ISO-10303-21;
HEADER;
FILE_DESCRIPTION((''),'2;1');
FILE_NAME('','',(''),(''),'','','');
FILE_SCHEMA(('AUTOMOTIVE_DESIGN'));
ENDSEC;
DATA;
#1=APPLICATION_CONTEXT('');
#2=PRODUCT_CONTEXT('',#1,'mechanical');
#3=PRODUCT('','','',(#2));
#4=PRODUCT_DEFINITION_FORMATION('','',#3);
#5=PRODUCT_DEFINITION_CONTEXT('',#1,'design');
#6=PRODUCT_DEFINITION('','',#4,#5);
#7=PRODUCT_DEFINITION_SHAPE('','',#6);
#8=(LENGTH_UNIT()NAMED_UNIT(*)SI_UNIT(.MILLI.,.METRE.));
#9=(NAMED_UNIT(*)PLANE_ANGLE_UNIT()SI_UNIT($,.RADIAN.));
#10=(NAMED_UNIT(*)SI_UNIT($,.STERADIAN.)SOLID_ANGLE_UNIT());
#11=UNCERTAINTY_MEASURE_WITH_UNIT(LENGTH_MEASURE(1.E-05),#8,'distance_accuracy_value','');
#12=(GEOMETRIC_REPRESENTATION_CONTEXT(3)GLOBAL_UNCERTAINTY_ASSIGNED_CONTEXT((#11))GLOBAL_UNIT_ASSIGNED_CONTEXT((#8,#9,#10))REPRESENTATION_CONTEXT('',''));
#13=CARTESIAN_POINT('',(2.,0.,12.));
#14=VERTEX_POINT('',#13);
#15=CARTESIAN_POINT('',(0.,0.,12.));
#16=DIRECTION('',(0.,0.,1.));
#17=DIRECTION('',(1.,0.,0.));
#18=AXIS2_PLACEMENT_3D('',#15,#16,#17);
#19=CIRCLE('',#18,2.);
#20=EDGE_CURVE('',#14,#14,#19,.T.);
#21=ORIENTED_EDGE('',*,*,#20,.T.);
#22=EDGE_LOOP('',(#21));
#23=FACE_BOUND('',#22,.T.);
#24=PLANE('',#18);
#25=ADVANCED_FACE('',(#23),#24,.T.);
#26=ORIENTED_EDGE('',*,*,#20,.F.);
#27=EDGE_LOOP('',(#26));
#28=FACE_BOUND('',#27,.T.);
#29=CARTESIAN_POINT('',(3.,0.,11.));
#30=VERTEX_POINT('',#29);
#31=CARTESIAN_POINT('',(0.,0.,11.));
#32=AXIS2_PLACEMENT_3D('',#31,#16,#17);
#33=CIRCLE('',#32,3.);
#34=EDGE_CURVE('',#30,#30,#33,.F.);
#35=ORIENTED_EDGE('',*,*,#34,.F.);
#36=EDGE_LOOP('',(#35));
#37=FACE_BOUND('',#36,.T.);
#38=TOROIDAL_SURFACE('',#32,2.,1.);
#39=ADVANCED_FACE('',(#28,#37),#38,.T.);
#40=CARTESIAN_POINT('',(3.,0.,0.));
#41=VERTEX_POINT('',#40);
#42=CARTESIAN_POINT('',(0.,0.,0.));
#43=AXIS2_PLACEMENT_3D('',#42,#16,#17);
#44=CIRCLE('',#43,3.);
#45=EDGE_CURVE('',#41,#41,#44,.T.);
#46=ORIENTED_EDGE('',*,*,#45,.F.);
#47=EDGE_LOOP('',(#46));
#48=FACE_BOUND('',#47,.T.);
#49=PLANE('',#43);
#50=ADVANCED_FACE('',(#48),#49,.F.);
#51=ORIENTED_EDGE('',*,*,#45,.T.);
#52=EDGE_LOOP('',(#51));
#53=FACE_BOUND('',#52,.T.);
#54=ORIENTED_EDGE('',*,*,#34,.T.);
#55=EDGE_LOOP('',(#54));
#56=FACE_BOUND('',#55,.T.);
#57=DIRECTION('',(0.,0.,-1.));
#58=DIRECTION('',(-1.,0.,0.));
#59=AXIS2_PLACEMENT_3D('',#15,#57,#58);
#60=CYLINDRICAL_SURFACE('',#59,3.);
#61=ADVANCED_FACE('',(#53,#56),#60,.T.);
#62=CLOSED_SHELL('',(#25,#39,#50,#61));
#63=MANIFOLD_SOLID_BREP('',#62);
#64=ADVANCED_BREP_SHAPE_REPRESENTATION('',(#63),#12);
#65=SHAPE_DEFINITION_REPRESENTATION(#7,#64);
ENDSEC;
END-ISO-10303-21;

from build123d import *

# Parameters (mm, degrees)
SKICA2_R                = 3
P_IDAT_VYSUNUT_M1_DEPTH = 12
ZAOBLIT1_R              = 1


with BuildPart() as part:
    # Skica2 → Přidat vysunutím1 (new body)
    with BuildSketch(Plane.XY):
        Circle(SKICA2_R)
    extrude(amount=P_IDAT_VYSUNUT_M1_DEPTH)

    # Zaoblit1
    zaoblit1_edges = [part.edges().sort_by_distance(p)[0] for p in [
        (-3, 0, 12),
    ]]
    fillet(zaoblit1_edges, radius=ZAOBLIT1_R)


solid = part.part
